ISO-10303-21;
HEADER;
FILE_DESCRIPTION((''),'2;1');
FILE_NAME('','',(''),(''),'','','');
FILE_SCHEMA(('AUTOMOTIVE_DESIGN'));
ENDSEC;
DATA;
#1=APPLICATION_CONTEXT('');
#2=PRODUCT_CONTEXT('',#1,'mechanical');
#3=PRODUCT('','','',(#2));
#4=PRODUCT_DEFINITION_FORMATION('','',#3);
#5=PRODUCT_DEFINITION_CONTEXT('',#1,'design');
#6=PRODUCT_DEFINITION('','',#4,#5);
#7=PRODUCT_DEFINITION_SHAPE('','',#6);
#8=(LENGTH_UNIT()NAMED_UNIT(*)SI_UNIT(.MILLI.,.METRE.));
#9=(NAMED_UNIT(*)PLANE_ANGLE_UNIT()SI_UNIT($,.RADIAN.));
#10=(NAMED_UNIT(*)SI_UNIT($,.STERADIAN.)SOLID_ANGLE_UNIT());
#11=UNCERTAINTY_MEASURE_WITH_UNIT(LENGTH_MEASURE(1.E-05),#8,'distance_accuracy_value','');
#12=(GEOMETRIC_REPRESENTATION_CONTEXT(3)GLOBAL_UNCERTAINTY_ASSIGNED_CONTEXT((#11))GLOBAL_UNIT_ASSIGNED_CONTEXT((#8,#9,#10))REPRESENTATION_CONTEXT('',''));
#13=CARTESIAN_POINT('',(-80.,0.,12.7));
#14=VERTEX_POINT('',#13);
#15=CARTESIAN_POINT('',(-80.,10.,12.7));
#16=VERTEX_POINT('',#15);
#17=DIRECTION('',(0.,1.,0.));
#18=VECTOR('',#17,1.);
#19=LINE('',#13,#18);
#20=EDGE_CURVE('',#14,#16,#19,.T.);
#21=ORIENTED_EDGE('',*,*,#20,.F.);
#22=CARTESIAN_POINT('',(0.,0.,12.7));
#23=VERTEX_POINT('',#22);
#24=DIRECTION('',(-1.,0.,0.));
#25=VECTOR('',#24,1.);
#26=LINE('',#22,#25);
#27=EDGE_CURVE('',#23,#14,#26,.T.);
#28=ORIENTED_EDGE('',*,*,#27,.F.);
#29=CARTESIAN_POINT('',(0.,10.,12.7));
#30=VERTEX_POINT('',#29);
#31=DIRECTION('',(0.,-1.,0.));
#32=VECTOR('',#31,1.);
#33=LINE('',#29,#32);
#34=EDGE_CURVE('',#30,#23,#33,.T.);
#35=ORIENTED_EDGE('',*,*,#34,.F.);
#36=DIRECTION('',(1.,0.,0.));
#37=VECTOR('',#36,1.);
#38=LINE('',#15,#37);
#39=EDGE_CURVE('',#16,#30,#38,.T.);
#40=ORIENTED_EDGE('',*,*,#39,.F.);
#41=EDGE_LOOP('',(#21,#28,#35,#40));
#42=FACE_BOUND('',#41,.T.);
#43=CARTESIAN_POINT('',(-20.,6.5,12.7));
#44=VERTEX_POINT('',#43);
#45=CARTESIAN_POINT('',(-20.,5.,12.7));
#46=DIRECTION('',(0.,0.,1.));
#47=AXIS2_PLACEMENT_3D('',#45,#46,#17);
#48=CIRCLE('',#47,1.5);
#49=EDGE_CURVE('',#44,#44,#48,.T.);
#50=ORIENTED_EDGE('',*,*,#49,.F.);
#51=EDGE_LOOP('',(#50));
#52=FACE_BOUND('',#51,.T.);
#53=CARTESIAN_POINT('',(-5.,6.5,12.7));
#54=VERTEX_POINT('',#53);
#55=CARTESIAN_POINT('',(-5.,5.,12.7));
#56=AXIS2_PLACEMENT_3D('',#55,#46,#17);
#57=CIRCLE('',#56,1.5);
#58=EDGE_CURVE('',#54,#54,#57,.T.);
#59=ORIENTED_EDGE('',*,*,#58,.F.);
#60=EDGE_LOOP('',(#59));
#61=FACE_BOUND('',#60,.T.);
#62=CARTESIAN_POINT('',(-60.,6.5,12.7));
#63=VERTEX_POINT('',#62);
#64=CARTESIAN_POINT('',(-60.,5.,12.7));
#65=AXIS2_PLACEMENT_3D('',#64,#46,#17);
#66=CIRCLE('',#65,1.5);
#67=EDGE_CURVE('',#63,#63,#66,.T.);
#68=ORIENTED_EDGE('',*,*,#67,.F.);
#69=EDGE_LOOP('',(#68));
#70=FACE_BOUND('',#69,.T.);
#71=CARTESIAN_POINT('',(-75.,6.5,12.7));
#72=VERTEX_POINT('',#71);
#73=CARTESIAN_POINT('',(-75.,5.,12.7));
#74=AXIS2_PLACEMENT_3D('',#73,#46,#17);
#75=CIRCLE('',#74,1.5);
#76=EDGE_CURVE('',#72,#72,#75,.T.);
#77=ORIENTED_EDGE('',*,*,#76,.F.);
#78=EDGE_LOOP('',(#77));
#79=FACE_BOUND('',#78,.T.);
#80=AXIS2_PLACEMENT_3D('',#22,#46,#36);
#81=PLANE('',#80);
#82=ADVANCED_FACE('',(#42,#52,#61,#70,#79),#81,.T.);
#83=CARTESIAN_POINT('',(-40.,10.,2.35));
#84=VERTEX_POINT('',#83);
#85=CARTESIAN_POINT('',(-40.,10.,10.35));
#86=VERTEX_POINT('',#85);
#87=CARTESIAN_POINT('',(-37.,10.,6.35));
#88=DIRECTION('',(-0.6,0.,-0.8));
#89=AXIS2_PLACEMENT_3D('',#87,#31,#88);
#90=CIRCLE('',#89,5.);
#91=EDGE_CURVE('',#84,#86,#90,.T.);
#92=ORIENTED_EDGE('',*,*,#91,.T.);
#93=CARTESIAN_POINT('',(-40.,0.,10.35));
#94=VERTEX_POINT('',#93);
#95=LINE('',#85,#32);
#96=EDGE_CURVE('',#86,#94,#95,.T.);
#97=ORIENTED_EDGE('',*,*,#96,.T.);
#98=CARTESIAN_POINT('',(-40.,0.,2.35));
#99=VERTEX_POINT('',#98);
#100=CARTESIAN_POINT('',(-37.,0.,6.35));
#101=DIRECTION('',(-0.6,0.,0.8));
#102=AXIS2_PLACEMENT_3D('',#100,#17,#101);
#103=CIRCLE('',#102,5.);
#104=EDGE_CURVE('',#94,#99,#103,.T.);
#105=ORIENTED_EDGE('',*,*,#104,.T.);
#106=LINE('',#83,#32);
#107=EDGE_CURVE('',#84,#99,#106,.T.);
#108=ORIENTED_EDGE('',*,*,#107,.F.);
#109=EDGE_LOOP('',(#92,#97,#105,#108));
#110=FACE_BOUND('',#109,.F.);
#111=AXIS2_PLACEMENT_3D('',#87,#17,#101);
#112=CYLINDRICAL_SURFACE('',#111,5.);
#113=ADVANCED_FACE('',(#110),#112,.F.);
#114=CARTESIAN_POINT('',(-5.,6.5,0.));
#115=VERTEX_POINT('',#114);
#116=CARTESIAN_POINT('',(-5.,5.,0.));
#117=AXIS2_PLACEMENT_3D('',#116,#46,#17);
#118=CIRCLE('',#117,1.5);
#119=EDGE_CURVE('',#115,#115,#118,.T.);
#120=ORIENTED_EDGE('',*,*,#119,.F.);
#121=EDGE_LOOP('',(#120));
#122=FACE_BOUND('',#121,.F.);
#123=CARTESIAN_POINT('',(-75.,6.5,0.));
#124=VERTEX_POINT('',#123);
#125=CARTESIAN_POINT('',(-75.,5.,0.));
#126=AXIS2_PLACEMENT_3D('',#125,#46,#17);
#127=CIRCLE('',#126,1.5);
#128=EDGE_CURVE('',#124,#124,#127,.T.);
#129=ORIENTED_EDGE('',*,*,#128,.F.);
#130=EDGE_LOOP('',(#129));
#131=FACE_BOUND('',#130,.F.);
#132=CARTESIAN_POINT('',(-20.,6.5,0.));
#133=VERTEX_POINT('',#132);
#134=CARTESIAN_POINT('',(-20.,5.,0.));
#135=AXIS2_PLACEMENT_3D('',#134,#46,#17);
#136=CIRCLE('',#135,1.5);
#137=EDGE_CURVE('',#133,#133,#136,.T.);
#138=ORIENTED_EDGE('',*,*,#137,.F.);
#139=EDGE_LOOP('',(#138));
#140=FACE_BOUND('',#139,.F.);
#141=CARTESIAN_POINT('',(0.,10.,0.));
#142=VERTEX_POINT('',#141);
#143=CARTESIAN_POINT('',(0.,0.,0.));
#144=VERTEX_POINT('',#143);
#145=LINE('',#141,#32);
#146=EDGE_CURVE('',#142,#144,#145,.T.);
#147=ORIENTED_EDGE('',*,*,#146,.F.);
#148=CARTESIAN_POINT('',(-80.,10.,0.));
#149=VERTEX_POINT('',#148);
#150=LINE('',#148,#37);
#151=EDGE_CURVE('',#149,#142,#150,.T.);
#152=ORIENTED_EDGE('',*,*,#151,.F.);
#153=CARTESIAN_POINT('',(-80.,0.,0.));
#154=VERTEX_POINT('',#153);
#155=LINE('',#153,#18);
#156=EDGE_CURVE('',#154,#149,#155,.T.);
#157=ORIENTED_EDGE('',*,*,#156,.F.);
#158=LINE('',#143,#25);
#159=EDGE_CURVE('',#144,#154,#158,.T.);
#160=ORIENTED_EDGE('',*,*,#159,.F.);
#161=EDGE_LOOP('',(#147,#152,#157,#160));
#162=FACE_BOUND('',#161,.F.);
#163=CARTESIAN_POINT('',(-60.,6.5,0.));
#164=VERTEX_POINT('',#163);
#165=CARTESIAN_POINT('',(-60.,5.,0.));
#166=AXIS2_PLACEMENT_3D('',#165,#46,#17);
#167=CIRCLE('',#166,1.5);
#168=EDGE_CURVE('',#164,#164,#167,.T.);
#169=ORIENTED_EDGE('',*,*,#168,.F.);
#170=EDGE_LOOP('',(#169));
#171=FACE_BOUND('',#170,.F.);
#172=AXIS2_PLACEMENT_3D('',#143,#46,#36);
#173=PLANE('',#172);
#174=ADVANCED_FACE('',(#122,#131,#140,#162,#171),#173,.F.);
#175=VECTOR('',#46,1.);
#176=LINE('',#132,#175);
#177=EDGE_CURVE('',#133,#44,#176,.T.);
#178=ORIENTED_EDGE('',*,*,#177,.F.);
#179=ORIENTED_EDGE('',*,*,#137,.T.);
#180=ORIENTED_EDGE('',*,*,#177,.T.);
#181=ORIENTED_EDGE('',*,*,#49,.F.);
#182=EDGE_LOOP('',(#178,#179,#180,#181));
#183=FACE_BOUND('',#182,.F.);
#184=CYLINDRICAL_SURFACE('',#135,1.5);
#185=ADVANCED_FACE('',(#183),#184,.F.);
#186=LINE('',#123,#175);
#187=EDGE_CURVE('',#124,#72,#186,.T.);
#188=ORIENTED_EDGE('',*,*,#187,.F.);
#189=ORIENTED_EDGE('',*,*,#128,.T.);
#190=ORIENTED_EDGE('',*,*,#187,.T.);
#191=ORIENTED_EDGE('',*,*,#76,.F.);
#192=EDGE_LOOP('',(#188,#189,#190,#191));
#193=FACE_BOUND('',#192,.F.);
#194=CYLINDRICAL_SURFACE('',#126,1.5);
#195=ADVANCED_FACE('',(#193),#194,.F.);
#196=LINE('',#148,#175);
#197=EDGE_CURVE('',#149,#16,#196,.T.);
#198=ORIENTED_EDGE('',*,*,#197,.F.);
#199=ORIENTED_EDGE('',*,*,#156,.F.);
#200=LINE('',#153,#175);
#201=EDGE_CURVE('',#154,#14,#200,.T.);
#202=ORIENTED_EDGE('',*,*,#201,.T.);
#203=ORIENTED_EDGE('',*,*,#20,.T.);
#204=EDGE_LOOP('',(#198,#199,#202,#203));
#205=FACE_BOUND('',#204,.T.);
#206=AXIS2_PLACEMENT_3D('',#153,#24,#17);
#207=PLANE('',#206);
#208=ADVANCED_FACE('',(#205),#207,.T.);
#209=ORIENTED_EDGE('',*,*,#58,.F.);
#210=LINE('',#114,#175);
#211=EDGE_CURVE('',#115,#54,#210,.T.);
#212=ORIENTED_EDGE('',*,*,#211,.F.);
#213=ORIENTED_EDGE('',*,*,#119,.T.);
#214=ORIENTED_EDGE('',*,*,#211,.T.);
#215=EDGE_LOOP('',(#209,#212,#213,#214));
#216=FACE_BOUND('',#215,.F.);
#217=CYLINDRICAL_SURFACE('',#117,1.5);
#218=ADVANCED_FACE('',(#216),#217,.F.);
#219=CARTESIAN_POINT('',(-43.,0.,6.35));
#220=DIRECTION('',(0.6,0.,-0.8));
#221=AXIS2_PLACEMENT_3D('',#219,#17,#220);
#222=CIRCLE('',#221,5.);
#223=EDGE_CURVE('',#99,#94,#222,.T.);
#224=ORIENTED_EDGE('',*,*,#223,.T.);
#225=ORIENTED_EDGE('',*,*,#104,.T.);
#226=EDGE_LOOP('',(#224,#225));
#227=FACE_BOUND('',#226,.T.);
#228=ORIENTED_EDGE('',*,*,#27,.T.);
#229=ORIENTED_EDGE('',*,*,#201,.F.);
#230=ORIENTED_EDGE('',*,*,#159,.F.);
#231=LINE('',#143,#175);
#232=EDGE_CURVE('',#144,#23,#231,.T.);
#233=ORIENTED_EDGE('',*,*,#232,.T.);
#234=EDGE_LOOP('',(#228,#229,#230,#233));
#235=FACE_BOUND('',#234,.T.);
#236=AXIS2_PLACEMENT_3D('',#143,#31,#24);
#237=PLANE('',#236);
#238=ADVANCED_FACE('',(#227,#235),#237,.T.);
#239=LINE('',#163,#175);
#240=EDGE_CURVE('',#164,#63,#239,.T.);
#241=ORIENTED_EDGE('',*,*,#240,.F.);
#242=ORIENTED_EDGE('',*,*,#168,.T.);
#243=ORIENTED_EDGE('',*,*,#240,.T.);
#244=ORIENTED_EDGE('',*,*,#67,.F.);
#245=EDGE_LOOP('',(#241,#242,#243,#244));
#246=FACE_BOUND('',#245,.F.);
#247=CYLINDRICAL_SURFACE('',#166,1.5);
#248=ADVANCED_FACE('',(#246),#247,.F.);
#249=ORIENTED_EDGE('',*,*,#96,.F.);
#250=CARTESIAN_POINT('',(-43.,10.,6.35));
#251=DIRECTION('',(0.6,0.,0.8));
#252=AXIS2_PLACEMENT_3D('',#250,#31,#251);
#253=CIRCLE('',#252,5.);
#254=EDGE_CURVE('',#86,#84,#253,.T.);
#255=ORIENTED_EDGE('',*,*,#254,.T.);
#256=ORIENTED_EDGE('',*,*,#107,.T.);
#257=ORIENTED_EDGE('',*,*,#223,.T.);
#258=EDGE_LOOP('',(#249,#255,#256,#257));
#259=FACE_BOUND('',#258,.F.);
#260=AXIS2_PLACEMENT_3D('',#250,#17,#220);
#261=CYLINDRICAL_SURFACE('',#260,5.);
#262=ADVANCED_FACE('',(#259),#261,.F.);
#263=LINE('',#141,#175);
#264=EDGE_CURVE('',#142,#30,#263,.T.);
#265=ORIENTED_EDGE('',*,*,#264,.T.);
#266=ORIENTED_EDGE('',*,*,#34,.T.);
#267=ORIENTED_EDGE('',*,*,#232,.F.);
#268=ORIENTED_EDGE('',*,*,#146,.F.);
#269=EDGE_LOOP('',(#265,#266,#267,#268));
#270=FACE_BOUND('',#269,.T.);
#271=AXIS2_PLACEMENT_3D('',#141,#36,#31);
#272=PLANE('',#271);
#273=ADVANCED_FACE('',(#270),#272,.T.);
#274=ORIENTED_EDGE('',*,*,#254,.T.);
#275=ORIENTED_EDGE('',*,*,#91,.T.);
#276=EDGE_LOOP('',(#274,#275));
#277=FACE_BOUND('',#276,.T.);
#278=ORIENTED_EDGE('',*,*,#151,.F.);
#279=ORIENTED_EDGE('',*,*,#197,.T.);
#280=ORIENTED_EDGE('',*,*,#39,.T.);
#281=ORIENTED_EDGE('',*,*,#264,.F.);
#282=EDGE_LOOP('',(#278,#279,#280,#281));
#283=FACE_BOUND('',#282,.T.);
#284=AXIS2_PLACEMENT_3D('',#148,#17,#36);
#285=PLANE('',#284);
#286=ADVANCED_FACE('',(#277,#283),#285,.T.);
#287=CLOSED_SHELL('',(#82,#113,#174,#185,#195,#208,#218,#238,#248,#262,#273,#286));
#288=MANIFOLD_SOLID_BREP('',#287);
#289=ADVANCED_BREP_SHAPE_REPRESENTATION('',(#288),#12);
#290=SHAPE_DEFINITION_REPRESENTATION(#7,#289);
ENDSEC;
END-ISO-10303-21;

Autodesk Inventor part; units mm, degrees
ref_plane "YZ Plane" through (0, 0, 0) normal (1, 0, 0) x (0, 1, 0)
ref_plane "XZ Plane" through (0, 0, 0) normal (0, 1, 0) x (-1, 0, 0)
ref_plane "XY Plane" through (0, 0, 0) normal (0, 0, 1) x (1, 0, 0)
sketch "Sketch1" plane through (0, 0, 0) normal (0, 0, 1) x (1, 0, 0)
  line L0 (-80, 10) -> (0, 10)
  line L1 (0, 10) -> (0, 0)
  line L2 (0, 0) -> (-80, 0)
  line L3 (-80, 0) -> (-80, 10)
  line L4 (-40, 0) -> (-40, 10) construction
  line L5 (-80, 5) -> (0, 5) construction
  point P0 (-75, 5)
  point P1 (-60, 5)
  point P2 (-5, 5)
  point P3 (-20, 5)
  dimension "load_cell_length" = 80
  dimension "load_cell_width" = 10
  dimension "load_cell_hole_inset" = 5
  dimension "load_cell_hole_spacing" = 15
extrude "Extrusion1" add sketch "Sketch1" along normal blind 12.7
hole "Hole1" at (-5, 5, 0) at (-20, 5, 0) at (-60, 5, 0) at (-75, 5, 0) direction (0, 0, 1) diameter 3 end through all
thread "Thread1" size "M3x0.5" class "6H" standard "ANSI Metric M Profile" full length
thread "Thread2" size "M3x0.5" class "6H" standard "ANSI Metric M Profile" full length
thread "Thread3" size "M3x0.5" class "6H" standard "ANSI Metric M Profile" full length
thread "Thread4" size "M3x0.5" class "6H" standard "ANSI Metric M Profile" full length
sketch "Sketch3" plane through (-80, 10, 0) normal (0, 1, 0) x (1, 0, 0)
  line L0 (80, 0) -> (0, 0) construction
  line L1 (0, 0) -> (0, -12.7) construction
  line L2 (80, -12.7) -> (0, -12.7) construction
  line L3 (80, 0) -> (80, -12.7) construction
  line L4 (0, -6.35) -> (80, -6.35)
  line L5 (40, -12.7) -> (40, 0)
  arc A0 (40, -2.35) -> (40, -10.35) centre (37, -6.35) ccw
  arc A1 (40, -10.35) -> (40, -2.35) centre (43, -6.35) ccw
  dimension "d23" = 10
  dimension "d24" = 6
extrude "Extrusion3" cut sketch "Sketch3" against normal blind 10
equation "\"d25\" = d23"
properties part number "load_cell"
